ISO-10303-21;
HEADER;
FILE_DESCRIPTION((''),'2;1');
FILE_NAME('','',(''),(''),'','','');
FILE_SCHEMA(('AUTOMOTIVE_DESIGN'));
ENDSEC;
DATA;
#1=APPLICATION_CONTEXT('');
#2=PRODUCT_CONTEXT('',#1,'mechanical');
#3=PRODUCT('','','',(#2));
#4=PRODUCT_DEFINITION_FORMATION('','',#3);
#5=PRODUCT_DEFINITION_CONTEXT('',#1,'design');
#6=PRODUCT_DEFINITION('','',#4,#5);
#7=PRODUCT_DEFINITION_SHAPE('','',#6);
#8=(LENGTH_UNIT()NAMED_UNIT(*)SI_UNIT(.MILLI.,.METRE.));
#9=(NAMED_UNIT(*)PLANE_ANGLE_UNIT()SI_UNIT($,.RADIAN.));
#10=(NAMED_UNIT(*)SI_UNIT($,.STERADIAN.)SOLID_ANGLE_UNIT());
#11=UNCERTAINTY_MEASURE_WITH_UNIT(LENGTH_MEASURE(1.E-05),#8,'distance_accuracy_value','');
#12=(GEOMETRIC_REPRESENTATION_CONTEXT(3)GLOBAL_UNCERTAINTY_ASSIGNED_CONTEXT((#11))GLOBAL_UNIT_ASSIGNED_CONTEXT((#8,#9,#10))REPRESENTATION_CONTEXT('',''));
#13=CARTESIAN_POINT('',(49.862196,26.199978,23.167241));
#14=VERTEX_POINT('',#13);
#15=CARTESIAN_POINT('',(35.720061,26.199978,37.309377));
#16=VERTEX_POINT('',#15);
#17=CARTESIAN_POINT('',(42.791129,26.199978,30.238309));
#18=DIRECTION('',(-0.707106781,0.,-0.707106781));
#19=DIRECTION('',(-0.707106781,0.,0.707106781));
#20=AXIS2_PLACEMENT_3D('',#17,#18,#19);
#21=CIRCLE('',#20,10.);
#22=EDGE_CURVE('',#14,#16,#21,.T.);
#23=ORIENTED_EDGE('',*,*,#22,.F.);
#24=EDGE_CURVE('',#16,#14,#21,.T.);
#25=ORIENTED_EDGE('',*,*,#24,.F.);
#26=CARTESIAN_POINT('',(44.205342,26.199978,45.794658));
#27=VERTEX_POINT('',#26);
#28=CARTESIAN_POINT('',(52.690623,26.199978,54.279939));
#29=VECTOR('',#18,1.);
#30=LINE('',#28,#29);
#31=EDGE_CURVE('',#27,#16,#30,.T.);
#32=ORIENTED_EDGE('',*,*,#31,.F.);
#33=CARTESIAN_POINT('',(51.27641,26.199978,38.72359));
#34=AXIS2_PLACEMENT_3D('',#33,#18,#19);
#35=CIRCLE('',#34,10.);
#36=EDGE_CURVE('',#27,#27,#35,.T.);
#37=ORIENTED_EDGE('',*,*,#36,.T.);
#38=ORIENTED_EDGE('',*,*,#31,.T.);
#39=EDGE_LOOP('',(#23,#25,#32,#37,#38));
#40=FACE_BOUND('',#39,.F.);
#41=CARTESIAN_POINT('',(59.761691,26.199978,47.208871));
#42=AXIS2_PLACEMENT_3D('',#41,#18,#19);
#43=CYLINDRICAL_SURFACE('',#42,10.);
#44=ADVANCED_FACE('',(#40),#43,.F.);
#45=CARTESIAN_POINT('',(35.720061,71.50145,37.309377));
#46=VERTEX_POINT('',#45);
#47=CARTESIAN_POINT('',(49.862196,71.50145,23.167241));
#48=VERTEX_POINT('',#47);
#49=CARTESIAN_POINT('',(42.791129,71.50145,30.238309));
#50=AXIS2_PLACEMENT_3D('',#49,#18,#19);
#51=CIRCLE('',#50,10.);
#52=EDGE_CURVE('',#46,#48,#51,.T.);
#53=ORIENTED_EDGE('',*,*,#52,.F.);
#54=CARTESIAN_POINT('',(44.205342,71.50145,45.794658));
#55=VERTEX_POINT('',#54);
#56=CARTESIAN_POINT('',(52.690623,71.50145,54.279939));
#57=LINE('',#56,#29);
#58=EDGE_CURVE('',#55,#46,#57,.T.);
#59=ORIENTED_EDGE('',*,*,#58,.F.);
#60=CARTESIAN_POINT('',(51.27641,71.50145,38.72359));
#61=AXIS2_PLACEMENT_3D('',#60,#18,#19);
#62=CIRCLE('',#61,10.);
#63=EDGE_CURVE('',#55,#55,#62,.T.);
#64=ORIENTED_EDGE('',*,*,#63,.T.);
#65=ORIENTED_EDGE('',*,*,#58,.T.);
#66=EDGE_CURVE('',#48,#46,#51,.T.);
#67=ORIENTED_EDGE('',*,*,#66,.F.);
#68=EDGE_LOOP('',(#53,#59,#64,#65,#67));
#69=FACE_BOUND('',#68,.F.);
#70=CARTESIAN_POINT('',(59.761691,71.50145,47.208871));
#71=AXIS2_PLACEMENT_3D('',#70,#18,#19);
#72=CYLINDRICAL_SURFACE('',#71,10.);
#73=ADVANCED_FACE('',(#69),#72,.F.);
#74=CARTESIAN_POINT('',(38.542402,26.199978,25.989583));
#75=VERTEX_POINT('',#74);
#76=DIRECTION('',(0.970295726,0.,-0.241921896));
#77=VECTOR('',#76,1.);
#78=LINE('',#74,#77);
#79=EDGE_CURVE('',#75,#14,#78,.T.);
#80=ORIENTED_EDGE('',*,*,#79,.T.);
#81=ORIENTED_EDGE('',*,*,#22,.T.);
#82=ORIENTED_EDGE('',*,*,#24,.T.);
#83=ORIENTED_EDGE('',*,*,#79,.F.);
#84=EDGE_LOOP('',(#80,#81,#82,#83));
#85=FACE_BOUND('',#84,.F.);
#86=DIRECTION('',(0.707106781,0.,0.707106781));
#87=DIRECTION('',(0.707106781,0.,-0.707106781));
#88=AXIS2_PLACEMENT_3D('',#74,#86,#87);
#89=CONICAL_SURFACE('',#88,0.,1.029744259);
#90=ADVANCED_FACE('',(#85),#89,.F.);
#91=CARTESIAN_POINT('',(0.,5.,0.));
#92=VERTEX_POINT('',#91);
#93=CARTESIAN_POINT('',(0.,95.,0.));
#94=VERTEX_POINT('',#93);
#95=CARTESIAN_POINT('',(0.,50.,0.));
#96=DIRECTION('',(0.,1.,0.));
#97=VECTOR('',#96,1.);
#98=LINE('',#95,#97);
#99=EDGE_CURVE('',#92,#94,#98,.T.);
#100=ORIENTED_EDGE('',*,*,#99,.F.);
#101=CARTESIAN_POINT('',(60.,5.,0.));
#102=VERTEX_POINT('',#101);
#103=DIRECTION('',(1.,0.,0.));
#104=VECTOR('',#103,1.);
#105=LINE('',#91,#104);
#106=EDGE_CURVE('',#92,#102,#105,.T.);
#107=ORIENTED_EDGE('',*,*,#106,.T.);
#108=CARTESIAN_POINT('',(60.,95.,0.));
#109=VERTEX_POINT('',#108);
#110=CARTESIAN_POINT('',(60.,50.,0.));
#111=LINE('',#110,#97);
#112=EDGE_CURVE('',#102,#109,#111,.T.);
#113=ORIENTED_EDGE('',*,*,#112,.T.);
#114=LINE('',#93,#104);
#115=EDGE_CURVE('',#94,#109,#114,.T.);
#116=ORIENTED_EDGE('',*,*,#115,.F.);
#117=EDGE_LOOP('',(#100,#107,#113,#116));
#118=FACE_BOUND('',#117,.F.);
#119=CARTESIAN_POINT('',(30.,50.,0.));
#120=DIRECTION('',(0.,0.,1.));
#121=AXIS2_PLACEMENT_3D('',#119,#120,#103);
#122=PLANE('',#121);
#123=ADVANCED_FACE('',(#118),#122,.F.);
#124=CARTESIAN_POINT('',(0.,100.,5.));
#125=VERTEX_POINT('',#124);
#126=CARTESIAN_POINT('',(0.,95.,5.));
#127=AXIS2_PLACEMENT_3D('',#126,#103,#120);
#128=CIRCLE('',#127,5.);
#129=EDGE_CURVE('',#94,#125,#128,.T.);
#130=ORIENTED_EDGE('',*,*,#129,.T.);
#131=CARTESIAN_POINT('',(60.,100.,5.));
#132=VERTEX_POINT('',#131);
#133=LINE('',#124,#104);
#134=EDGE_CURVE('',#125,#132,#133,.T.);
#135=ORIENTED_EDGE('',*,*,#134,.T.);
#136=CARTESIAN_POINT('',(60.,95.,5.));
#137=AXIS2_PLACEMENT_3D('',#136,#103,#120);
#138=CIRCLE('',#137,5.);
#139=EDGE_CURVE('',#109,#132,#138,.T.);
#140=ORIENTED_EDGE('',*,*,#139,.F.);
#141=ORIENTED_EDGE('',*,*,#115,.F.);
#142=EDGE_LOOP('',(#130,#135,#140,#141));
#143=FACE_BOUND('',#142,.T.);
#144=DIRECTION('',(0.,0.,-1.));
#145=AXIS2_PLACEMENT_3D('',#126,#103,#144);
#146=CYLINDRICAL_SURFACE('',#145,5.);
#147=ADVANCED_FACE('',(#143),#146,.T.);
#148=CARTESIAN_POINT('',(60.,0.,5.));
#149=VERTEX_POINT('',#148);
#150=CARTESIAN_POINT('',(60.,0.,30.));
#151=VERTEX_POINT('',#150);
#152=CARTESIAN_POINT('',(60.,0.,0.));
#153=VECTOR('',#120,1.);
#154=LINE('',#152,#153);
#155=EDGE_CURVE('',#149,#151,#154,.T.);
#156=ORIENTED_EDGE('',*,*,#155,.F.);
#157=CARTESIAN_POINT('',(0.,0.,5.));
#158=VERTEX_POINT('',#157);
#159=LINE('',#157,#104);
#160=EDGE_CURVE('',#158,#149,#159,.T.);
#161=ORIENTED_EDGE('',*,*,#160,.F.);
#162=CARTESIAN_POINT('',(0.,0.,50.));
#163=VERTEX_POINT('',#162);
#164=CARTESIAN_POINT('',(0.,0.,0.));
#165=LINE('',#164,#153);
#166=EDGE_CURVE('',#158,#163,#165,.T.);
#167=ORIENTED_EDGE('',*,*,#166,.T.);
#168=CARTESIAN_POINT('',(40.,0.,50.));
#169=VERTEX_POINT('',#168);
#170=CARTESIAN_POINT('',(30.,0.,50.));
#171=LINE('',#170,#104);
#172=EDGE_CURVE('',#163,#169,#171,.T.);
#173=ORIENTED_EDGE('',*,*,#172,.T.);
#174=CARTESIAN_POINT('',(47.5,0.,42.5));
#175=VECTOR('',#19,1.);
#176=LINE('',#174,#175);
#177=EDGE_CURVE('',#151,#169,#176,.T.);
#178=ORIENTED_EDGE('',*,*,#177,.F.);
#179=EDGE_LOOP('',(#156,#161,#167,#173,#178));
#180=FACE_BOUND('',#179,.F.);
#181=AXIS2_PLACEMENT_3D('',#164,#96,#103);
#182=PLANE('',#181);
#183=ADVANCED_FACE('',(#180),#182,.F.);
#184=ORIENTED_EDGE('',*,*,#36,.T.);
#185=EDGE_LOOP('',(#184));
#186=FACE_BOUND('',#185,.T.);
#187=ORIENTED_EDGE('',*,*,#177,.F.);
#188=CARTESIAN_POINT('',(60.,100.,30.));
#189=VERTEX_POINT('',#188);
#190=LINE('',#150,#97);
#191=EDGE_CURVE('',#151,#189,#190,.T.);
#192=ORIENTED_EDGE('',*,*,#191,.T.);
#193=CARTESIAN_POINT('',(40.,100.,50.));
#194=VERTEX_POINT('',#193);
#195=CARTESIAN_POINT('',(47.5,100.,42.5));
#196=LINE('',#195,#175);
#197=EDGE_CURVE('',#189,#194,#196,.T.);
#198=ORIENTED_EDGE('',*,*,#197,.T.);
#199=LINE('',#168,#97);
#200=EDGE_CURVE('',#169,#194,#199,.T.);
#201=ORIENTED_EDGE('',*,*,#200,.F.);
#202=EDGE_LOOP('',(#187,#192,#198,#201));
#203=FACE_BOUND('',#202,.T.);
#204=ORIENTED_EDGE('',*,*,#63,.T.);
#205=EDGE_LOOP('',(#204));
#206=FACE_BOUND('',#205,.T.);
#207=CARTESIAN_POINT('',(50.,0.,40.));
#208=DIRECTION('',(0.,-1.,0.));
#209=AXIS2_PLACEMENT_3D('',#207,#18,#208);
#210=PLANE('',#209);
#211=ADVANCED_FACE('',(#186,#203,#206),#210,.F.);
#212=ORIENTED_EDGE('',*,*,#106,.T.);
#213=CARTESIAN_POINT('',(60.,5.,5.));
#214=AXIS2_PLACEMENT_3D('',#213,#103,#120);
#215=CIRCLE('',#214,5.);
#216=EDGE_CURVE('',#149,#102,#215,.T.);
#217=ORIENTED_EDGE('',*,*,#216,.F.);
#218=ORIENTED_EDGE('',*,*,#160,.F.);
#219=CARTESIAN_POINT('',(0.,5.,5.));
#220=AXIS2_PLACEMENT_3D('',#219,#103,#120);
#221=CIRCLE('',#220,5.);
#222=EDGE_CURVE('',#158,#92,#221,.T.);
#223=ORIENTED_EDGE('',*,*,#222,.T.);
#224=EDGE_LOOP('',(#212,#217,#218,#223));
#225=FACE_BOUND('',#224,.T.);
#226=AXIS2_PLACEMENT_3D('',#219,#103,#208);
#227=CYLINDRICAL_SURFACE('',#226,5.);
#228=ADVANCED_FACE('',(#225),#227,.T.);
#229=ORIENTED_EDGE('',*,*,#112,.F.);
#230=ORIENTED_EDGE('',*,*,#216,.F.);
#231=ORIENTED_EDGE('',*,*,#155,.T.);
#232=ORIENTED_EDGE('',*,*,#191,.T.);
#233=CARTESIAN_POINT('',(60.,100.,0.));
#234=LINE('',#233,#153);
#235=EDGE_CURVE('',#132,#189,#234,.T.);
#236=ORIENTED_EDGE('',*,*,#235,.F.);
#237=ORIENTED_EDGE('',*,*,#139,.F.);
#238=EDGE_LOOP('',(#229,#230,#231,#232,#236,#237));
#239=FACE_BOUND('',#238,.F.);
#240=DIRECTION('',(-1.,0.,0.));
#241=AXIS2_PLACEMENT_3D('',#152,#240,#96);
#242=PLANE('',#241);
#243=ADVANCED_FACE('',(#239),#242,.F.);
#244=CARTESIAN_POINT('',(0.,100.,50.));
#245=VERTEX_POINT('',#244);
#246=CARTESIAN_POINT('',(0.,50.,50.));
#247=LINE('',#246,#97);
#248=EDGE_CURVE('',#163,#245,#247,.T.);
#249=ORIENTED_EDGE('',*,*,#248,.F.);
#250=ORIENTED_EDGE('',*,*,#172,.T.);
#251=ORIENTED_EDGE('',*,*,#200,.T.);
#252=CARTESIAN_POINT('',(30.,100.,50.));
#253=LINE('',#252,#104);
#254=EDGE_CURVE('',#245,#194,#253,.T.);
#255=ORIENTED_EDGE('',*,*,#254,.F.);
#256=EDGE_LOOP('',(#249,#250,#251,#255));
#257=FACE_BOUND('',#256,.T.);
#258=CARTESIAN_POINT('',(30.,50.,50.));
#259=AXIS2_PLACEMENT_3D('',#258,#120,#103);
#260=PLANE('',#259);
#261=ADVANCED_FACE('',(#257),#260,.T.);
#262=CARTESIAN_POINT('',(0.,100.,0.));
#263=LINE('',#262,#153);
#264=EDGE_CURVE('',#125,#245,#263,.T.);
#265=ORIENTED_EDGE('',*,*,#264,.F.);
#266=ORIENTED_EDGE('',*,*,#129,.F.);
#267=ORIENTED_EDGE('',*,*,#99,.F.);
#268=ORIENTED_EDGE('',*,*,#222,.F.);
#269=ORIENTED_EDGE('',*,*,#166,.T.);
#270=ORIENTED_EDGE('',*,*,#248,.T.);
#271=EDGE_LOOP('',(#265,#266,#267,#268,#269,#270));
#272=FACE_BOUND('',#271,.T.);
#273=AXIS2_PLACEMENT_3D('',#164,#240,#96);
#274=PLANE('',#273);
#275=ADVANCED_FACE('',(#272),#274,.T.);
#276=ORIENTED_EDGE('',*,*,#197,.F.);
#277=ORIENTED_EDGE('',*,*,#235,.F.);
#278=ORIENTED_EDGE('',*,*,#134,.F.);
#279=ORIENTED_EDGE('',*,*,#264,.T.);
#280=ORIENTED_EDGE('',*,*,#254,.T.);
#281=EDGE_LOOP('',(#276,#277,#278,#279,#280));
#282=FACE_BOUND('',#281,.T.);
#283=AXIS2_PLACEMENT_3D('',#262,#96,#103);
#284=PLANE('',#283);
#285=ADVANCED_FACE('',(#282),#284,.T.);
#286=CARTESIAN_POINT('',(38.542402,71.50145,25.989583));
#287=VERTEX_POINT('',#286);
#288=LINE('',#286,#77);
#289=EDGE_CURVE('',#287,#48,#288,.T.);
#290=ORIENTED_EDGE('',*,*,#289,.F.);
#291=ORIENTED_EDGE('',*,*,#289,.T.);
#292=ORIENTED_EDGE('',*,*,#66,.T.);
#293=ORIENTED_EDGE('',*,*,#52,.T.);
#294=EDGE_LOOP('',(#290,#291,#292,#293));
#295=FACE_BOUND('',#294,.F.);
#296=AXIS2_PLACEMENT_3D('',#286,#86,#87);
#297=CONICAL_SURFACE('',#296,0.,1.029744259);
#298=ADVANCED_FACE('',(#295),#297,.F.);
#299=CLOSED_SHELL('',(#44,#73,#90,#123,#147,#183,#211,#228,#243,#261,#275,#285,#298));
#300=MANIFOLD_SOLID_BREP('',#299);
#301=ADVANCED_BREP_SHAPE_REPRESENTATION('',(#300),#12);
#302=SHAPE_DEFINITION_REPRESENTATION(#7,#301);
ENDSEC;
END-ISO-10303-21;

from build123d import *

# Parameters (mm, degrees)
F0_W     = 60
F0_H     = 100
F1_DEPTH = 50
F2_SIZE  = 20
F4_D     = 20
F4_DEPTH = 12
F4_TIP   = 6.0086061903
F6_R     = 5
F7_R     = 5


with BuildPart() as f1:
    # F0 (on Top) → F1 (new body)
    with BuildSketch(Plane.XY):
        with Locations((30, 50)):
            Rectangle(F0_W, F0_H)
    extrude(amount=F1_DEPTH)

    # F2
    f2_edges = [f1.edges().sort_by_distance(p)[0] for p in [
        (60, 50, 50),
    ]]
    chamfer(f2_edges, length=F2_SIZE)

    # F4
    with Locations(Plane(origin=(45, 0, 45), x_dir=(0.7071067812, 0, -0.7071067812), z_dir=(0.7071067812, 0, 0.7071067812))):
        with Locations((8.8761840016, 26.199977845), (8.8761840016, 71.5014504518)):
            Hole(F4_D / 2, depth=F4_DEPTH)
            with Locations((0, 0, -(F4_DEPTH + F4_TIP / 2))):  # 118° drill point
                Cone(0, F4_D / 2, F4_TIP, mode=Mode.SUBTRACT)

    # F6
    f6_edges = [f1.edges().sort_by_distance(p)[0] for p in [
        (30, 0, 0),
    ]]
    fillet(f6_edges, radius=F6_R)

    # F7
    f7_edges = [f1.edges().sort_by_distance(p)[0] for p in [
        (30, 100, 0),
    ]]
    fillet(f7_edges, radius=F7_R)


solid = f1.part
